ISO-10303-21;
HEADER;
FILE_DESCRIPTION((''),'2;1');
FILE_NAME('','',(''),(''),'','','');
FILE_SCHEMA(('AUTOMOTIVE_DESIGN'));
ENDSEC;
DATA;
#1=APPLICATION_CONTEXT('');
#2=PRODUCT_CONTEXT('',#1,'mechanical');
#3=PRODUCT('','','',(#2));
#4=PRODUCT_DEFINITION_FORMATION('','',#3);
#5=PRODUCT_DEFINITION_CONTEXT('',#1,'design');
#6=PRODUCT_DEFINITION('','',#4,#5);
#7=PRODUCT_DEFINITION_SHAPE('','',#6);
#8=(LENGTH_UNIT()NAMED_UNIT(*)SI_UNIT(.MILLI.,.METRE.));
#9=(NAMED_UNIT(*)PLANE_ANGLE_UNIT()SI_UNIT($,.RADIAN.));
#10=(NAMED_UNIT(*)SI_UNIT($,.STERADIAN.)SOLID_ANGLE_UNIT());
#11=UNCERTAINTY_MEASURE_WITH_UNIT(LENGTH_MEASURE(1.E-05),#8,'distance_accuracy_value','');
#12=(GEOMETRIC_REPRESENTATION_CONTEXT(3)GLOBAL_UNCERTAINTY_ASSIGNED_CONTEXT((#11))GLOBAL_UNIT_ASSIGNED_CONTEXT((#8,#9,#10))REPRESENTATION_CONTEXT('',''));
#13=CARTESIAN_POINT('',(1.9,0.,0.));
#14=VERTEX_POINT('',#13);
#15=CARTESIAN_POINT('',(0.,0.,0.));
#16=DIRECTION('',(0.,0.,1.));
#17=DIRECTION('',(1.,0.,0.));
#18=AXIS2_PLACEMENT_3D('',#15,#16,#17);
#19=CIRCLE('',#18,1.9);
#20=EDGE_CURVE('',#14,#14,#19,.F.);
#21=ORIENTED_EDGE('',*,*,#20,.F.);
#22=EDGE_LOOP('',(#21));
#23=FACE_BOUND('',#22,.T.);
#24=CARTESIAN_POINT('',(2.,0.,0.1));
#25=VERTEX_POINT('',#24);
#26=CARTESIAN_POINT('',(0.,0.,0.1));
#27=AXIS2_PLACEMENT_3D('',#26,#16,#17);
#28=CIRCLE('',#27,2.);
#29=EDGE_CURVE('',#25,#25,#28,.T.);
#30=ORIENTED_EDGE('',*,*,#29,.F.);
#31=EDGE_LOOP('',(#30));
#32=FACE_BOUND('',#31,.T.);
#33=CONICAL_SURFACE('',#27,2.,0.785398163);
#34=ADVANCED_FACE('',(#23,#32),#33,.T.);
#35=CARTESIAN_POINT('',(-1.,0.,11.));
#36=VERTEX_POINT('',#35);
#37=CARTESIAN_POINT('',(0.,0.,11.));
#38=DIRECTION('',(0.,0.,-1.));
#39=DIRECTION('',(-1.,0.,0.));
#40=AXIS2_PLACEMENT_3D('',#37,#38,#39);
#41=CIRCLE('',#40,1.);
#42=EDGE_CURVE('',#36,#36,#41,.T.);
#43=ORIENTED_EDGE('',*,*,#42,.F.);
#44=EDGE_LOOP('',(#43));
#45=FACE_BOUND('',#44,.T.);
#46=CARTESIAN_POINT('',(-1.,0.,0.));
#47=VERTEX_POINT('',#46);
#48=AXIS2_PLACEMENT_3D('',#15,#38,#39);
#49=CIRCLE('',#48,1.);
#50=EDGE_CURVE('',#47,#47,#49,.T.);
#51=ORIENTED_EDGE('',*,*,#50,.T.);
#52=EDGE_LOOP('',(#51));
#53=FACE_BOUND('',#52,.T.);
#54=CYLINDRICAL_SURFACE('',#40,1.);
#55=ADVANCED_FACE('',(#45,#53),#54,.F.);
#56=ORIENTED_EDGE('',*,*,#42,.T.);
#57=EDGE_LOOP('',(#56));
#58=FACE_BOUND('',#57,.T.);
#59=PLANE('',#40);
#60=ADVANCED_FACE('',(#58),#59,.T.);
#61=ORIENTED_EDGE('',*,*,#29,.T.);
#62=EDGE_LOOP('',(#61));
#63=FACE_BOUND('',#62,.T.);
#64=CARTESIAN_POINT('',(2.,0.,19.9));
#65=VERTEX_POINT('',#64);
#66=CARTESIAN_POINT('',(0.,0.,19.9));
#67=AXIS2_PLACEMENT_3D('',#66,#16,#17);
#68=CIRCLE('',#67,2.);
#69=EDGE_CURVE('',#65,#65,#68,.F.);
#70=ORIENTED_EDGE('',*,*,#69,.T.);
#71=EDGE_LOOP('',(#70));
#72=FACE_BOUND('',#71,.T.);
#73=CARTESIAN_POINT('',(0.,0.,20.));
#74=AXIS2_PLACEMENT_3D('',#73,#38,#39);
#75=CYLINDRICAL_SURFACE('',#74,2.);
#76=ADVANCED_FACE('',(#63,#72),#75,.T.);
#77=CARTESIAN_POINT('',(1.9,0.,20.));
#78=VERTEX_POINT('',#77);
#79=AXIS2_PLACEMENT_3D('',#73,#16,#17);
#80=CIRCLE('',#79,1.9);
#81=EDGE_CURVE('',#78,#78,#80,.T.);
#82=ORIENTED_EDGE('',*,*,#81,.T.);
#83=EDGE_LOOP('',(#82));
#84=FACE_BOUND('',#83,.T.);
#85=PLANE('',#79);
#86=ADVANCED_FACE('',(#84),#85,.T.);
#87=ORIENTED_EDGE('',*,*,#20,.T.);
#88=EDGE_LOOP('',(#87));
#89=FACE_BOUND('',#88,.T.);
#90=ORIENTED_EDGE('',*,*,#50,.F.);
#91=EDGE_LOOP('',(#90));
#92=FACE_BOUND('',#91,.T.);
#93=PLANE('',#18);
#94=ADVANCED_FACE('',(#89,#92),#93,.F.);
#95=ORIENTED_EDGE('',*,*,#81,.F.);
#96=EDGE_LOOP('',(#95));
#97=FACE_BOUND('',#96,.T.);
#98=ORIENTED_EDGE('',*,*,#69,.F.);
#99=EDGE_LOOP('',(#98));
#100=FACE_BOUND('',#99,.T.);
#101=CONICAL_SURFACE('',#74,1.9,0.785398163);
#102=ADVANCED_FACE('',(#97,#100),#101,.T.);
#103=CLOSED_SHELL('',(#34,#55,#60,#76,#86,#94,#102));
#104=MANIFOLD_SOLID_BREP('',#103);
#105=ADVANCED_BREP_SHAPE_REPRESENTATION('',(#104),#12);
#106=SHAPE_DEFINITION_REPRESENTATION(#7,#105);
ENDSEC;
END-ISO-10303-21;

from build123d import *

# Parameters (mm, degrees)
SKETCH_1_R          = 2
EXTRUDE_1_DEPTH     = 20
SKETCH_2_R          = 1
CUT_EXTRUDE_1_DEPTH = 11
CHAMFER_1_SIZE      = 0.1


with BuildPart() as part:
    # 草图1 → 凸台-拉伸1 (new body)
    with BuildSketch(Plane.XY):
        Circle(SKETCH_1_R)
    extrude(amount=EXTRUDE_1_DEPTH)

    # 草图2 → 切除-拉伸1 (cut)
    with BuildSketch(Plane(origin=(0, 0, 0), x_dir=(-1, 0, 0), z_dir=(0, 0, -1))):
        Circle(SKETCH_2_R)
    extrude(amount=-CUT_EXTRUDE_1_DEPTH, mode=Mode.SUBTRACT)

    # 倒角1
    chamfer_1_edges = [part.edges().sort_by_distance(p)[0] for p in [
        (-2, 0, 0),
        (-2, 0, 20),
    ]]
    chamfer(chamfer_1_edges, length=CHAMFER_1_SIZE)


solid = part.part
